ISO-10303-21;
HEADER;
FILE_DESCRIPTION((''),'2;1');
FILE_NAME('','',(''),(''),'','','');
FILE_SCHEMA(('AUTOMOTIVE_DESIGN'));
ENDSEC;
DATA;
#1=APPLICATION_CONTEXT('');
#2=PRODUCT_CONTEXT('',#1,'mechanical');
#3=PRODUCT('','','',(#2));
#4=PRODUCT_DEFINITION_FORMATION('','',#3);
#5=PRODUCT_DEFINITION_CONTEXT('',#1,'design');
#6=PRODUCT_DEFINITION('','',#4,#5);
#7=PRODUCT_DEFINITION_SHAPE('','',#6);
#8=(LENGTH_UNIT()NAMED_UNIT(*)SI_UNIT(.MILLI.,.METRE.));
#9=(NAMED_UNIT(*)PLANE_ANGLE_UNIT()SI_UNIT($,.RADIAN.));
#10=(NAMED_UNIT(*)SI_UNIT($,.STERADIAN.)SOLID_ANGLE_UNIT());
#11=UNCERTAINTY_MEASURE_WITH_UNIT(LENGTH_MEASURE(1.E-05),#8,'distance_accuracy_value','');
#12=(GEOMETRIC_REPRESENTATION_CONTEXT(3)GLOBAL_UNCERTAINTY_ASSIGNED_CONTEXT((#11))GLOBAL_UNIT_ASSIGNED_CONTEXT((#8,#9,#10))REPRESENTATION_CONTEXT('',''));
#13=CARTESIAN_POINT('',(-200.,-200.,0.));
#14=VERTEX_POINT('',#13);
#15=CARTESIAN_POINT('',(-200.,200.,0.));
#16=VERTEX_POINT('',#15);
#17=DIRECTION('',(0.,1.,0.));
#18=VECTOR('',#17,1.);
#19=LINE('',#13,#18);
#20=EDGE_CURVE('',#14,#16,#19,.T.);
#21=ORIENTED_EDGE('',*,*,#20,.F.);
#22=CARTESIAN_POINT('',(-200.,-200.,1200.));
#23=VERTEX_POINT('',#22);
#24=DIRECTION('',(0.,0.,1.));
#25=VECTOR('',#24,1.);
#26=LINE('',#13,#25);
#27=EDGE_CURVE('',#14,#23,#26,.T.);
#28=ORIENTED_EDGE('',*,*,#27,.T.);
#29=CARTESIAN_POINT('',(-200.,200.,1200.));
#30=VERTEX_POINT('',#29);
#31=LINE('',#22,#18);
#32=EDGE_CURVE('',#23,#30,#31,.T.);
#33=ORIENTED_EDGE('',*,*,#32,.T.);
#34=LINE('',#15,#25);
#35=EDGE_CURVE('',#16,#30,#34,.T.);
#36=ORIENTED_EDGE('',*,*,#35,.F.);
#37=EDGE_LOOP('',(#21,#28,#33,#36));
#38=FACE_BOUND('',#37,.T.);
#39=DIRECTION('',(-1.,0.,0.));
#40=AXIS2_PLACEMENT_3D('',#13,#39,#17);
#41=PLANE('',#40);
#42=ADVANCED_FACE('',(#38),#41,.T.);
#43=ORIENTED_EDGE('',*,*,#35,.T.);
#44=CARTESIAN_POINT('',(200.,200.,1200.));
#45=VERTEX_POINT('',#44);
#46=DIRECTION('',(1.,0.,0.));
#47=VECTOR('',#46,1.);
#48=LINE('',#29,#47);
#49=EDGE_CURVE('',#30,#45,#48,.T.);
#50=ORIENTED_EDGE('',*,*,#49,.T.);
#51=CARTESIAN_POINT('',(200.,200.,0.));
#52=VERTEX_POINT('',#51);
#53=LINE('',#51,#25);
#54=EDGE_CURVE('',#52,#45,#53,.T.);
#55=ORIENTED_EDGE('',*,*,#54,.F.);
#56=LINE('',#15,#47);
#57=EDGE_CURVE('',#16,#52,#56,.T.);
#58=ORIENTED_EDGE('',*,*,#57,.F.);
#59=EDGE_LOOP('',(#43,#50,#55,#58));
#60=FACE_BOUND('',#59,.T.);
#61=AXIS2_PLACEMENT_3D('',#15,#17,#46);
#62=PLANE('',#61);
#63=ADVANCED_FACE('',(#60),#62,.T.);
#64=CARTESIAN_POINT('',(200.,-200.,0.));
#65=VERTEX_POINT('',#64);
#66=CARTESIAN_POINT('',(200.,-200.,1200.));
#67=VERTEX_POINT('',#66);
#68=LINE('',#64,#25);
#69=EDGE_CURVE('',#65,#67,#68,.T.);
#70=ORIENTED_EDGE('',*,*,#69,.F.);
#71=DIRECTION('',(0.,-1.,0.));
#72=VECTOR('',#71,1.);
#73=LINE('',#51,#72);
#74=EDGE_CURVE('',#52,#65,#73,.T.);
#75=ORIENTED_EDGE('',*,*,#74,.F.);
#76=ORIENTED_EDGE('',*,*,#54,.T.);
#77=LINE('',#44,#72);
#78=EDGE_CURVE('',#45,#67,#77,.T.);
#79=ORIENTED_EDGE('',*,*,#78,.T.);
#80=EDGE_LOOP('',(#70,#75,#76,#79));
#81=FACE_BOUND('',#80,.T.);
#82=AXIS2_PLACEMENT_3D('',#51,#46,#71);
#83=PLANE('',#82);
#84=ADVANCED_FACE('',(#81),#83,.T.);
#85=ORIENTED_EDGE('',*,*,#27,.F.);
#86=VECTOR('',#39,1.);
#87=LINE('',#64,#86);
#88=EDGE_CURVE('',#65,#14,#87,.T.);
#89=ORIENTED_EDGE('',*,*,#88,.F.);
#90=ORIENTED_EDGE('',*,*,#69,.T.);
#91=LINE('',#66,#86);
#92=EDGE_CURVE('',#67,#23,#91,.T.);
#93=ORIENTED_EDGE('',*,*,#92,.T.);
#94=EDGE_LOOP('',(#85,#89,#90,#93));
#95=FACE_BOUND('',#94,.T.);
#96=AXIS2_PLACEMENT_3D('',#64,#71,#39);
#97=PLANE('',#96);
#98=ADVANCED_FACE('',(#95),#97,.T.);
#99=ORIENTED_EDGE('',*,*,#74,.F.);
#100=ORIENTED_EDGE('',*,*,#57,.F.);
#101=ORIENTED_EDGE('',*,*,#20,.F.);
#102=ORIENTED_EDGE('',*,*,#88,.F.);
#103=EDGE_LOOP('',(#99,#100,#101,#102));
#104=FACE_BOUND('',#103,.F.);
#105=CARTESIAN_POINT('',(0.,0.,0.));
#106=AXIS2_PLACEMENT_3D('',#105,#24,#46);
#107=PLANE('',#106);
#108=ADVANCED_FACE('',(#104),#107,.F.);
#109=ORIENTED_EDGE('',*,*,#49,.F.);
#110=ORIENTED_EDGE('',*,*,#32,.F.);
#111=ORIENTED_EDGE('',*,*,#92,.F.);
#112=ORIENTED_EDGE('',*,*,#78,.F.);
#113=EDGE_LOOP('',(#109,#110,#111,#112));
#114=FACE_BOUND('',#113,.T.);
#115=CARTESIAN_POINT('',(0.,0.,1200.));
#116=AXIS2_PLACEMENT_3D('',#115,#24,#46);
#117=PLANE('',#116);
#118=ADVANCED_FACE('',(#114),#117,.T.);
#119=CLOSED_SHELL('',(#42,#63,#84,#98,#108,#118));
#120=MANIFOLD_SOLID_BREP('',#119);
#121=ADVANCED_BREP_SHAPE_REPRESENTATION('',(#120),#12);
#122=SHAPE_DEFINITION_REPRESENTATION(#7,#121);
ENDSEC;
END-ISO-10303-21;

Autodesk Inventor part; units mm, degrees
ref_plane "YZ Plane" through (0, 0, 0) normal (1, 0, 0) x (0, 1, 0)
ref_plane "XZ Plane" through (0, 0, 0) normal (0, 1, 0) x (-1, 0, 0)
ref_plane "XY Plane" through (0, 0, 0) normal (0, 0, 1) x (1, 0, 0)
sketch "Sketch1" plane through (0, 0, 0) normal (0, 0, 1) x (1, 0, 0)
  line L0 (-200, 200) -> (200, 200)
  line L1 (200, 200) -> (200, -200)
  line L2 (200, -200) -> (-200, -200)
  line L3 (-200, -200) -> (-200, 200)
  line L4 (-200, -200) -> (200, 200) construction
  point P0 (0, 0)
  point P1 (0, 0)
  dimension "d0" = 400
  dimension "d1" = 400
extrude "Extrusion1" add sketch "Sketch1" along normal blind 1200
equation "\"d0\" = Длина"
equation "\"d1\" = Ширина"
equation "\"d2\" = Высота"
equation "\"Длина\" = 400"
equation "\"Ширина\" = 400"
equation "\"Высота\" = 1200"
properties part number "Soda barrel"
